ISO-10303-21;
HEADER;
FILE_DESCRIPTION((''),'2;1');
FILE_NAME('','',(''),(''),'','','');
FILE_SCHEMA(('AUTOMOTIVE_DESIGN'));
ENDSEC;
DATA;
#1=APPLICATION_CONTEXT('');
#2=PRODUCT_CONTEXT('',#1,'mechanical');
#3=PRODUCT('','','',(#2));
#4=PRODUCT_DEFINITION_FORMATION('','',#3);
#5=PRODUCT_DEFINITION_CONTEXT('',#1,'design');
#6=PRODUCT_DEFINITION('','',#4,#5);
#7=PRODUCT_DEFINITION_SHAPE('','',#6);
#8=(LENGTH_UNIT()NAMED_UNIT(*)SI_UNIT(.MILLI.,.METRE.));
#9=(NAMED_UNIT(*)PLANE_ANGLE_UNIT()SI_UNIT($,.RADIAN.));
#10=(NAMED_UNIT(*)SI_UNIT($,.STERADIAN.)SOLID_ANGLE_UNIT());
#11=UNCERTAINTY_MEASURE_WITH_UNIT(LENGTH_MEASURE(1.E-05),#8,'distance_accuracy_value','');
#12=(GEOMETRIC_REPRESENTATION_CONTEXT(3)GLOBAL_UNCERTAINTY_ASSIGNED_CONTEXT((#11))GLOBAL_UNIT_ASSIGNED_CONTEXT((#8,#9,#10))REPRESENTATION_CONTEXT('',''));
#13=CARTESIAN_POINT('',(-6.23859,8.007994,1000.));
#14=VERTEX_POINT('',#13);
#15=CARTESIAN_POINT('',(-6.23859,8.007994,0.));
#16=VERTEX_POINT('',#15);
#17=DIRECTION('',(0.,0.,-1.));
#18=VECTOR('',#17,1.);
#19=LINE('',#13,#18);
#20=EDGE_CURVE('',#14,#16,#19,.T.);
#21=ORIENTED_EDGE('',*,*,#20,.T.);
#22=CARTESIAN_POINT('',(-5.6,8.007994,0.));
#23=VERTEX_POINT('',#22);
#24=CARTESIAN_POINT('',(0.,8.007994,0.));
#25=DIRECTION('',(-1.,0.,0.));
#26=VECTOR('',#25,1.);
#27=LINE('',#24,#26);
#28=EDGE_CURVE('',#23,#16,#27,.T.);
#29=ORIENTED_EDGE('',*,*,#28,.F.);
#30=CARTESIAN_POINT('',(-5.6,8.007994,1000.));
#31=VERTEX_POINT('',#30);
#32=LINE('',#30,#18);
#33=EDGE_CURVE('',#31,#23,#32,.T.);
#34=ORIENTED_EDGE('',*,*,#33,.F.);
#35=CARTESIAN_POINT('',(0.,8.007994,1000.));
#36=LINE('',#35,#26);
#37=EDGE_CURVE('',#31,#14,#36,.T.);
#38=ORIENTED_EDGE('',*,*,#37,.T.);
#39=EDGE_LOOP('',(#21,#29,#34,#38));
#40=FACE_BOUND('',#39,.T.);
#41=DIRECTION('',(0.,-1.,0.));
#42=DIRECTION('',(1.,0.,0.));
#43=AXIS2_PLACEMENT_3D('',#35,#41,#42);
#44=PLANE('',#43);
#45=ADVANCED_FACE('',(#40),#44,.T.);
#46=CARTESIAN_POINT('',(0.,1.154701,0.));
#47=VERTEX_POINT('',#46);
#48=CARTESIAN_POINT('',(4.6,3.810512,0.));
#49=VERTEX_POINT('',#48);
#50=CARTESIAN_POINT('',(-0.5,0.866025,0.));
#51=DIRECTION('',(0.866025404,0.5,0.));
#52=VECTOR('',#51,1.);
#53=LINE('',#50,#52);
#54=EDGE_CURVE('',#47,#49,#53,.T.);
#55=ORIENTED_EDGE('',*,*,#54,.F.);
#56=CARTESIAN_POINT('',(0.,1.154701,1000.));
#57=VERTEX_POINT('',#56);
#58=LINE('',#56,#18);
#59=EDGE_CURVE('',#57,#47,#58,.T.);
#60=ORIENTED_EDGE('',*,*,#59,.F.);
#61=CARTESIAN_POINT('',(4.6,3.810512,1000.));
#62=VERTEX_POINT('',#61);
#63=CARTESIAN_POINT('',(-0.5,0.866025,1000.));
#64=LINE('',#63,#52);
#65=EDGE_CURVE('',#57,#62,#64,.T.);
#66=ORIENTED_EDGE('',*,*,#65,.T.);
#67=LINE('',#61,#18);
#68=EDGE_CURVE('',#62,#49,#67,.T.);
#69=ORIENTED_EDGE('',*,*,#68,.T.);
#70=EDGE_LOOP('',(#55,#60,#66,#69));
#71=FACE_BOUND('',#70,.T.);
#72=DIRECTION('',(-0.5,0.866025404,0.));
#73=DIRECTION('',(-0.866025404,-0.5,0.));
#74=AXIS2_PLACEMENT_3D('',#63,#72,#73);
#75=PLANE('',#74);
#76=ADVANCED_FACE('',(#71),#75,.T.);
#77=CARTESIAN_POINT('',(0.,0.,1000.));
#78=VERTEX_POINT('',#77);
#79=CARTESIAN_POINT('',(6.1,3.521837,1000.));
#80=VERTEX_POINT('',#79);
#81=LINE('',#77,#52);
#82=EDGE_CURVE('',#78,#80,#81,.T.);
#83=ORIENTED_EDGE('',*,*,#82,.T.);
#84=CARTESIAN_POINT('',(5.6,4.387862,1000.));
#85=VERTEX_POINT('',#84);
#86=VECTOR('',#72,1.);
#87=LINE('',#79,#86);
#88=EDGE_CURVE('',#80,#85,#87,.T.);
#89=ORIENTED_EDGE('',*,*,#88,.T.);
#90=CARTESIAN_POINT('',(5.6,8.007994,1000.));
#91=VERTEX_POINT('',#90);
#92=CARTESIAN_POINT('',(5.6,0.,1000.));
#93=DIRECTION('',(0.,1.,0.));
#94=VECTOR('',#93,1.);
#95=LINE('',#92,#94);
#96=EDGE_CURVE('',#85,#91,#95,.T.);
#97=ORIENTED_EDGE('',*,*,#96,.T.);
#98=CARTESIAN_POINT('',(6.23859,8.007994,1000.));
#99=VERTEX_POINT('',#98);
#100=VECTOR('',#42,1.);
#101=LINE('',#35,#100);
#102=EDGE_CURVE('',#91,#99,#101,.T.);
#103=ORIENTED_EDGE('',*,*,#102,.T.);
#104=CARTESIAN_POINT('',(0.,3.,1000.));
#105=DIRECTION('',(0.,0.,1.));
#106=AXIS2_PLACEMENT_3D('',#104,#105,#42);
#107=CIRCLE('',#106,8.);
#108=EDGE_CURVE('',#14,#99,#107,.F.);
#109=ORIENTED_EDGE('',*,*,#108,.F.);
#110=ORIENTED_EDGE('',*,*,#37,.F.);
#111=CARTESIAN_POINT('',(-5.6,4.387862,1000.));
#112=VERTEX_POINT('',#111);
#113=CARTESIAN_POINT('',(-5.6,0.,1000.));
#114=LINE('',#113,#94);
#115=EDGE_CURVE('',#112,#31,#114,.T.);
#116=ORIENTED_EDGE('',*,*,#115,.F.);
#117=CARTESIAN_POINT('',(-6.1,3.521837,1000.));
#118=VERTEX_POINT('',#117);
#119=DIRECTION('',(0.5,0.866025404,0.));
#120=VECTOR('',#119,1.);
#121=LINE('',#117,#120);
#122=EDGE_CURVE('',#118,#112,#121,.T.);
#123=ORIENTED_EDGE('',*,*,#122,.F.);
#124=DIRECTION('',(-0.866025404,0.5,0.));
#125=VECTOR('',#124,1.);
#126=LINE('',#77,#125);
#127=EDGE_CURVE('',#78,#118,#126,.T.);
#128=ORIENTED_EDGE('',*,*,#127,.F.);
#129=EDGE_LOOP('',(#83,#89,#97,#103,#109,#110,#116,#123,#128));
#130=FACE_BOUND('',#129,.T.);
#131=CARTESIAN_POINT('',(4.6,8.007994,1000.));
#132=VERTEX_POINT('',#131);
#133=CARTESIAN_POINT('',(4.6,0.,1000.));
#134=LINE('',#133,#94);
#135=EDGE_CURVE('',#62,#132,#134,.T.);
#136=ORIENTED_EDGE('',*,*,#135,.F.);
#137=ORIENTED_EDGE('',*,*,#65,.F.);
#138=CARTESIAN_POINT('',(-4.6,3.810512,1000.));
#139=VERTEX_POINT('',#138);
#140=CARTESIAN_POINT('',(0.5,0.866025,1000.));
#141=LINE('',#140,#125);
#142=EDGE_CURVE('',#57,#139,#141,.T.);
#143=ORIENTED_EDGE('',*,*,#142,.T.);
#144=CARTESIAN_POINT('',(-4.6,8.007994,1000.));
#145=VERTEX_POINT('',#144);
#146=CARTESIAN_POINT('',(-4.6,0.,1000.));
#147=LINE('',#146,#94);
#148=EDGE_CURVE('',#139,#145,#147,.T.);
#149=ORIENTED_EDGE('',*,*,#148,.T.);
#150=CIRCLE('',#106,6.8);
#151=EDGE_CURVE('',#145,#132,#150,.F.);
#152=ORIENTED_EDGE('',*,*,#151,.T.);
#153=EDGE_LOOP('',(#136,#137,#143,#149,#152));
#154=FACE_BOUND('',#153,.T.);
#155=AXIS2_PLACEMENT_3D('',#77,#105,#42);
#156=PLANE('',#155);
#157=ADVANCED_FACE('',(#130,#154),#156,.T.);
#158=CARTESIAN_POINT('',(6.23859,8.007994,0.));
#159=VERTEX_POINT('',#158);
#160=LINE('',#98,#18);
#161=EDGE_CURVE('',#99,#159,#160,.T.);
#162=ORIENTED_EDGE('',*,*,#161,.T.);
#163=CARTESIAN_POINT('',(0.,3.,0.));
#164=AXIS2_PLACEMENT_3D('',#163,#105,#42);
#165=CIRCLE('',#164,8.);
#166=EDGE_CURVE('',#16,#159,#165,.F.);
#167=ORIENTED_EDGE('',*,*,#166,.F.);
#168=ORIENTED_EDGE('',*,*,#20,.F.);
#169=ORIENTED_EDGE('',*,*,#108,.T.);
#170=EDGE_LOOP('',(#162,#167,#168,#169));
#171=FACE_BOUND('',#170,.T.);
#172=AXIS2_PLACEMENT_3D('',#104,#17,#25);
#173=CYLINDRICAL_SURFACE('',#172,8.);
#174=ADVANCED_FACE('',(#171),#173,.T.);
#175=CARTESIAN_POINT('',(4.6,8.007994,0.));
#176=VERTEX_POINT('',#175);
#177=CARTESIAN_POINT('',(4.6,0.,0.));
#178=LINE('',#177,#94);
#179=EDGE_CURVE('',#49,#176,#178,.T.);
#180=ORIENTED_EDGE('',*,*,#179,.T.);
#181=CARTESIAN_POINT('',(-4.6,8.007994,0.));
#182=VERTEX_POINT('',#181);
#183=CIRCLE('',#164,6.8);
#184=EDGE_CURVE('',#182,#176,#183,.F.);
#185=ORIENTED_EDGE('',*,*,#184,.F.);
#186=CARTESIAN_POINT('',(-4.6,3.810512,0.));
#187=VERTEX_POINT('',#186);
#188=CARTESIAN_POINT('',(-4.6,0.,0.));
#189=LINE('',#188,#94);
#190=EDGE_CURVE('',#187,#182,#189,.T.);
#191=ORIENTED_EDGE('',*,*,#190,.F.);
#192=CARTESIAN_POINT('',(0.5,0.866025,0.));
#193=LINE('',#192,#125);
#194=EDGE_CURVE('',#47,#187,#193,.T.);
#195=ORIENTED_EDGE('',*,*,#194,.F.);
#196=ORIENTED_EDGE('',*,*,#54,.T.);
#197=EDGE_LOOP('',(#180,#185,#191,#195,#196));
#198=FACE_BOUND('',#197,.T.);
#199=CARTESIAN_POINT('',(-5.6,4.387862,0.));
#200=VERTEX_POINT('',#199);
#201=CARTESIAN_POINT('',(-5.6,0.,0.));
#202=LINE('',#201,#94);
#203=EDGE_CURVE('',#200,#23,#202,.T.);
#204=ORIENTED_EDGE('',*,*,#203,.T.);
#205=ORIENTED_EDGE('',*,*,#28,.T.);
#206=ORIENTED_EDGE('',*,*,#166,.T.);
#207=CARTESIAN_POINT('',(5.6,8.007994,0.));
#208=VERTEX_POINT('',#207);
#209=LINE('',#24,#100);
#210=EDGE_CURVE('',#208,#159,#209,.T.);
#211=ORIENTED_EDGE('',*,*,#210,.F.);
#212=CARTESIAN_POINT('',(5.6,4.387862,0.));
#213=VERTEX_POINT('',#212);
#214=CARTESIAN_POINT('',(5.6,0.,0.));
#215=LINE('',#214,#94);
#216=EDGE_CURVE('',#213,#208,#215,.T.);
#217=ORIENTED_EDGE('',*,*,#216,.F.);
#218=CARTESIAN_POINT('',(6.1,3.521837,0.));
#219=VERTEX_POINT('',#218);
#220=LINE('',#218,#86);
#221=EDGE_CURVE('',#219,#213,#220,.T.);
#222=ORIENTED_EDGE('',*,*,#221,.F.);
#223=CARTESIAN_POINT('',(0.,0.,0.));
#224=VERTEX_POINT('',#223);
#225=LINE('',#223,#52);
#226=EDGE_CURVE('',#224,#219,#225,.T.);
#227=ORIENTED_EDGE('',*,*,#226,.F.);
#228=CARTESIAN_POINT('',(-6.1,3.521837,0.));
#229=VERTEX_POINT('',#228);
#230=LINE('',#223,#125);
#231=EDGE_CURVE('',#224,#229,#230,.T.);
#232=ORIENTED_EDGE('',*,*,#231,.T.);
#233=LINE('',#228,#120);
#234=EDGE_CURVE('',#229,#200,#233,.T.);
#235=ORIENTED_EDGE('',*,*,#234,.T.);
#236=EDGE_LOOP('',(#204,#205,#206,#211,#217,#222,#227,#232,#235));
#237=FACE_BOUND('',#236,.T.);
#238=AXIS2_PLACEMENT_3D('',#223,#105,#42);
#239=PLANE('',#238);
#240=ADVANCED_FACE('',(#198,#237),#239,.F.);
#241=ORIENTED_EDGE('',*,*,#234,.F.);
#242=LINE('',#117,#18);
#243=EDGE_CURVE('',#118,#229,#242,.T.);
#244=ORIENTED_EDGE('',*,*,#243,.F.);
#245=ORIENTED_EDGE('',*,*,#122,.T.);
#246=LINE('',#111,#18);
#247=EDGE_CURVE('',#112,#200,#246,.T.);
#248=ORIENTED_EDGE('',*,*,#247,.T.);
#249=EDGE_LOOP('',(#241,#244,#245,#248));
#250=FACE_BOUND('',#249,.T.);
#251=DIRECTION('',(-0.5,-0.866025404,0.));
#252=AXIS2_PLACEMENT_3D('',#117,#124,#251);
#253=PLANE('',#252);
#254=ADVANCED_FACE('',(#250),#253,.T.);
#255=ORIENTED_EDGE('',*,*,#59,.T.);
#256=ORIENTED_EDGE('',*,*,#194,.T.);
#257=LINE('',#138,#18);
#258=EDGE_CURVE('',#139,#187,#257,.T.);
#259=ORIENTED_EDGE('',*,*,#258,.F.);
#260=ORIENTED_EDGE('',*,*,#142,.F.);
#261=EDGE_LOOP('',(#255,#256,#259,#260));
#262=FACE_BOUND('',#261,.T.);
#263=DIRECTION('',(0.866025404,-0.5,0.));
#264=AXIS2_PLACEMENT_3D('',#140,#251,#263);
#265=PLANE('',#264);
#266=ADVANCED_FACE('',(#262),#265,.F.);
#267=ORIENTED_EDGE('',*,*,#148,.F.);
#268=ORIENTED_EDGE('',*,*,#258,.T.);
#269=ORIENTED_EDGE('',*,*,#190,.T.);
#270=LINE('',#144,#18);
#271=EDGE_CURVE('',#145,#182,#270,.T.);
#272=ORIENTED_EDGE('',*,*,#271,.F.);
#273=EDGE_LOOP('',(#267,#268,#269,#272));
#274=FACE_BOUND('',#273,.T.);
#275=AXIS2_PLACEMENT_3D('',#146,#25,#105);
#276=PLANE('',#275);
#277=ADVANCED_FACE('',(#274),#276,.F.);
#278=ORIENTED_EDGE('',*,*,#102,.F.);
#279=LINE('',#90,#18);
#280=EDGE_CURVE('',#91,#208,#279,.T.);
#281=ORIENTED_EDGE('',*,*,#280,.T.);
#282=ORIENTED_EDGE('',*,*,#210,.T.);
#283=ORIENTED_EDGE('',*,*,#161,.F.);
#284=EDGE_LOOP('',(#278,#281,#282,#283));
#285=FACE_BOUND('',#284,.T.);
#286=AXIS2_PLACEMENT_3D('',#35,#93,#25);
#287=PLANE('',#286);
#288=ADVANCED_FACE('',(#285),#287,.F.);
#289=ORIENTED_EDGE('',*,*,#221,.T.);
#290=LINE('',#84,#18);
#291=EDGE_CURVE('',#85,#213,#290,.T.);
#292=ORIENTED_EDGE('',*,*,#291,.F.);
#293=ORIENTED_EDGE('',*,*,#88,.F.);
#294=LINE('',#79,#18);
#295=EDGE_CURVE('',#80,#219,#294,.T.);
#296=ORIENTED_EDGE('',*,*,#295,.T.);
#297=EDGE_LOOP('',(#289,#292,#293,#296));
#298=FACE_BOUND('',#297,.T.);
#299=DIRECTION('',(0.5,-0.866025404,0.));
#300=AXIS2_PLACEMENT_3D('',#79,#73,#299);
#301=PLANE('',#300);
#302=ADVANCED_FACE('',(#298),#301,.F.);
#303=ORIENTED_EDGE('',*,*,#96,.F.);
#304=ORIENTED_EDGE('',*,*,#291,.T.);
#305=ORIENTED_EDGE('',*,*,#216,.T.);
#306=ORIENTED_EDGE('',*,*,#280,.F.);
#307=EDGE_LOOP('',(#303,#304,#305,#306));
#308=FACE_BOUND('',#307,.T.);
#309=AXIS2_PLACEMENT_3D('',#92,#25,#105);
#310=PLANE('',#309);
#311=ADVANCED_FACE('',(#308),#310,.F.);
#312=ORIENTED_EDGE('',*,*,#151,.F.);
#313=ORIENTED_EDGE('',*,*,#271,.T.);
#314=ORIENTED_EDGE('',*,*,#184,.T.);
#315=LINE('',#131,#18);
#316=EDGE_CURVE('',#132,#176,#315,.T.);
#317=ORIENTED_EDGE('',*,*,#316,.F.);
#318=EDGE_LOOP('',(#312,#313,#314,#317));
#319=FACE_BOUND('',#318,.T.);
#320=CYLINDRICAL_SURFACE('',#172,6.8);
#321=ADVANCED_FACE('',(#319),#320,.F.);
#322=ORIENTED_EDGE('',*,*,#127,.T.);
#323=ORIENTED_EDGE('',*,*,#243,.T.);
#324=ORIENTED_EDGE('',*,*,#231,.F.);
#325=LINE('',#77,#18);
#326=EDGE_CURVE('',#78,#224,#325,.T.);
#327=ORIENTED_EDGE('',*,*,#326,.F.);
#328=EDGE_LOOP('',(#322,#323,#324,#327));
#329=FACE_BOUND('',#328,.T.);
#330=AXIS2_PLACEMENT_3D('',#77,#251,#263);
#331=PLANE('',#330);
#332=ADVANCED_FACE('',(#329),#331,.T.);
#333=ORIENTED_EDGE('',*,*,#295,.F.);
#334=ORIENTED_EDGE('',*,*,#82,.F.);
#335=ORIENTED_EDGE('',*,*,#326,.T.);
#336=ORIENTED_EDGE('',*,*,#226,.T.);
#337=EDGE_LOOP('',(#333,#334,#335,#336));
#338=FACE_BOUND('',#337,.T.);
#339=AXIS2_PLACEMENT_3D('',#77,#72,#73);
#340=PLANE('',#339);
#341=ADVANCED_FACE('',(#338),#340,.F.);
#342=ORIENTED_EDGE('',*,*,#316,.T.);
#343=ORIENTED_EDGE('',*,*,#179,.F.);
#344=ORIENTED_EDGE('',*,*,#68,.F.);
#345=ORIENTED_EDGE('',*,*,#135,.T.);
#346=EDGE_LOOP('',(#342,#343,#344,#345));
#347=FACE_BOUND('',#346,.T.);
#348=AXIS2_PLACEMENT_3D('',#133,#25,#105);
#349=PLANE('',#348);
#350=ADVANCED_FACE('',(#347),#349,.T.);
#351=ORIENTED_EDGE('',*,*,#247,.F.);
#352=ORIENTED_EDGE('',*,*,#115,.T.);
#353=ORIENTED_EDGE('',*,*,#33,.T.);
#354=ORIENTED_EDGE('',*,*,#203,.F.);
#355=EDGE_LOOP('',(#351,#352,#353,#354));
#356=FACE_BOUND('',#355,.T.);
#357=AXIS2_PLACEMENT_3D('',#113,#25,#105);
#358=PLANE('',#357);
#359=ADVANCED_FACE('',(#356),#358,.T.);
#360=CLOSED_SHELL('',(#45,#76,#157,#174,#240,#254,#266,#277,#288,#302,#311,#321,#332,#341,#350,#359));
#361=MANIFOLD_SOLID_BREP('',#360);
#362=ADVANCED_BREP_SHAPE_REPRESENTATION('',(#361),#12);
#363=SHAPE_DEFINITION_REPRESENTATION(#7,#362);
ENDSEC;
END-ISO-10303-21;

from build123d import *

# Parameters (mm, degrees)
EXTRUDE_1_DEPTH = 1000


with BuildPart() as part:
    # Эскиз1 → Бобышка-Вытянуть1 (new body)
    with BuildSketch(Plane.XY):
        with BuildLine():
            Line((0, 0), (-6.1, 3.521836642))
            Line((-6.1, 3.521836642), (-5.6, 4.387862046))
            Line((-5.6, 4.387862046), (-5.6, 8.00799361))
            Line((-5.6, 8.00799361), (-6.238589584, 8.00799361))
            ThreePointArc((-6.238589584, 8.00799361), (0, 11), (6.238589584, 8.00799361))
            Line((6.238589584, 8.00799361), (5.6, 8.00799361))
            Line((5.6, 8.00799361), (5.6, 4.387862046))
            Line((5.6, 4.387862046), (6.1, 3.521836642))
            Line((6.1, 3.521836642), (0, 0))
        make_face()
        with BuildLine():
            Line((0, 1.154700538), (-4.6, 3.810511777))
            Line((-4.6, 3.810511777), (-4.6, 8.00799361))
            ThreePointArc((-4.6, 8.00799361), (0, 9.8), (4.6, 8.00799361))
            Line((4.6, 8.00799361), (4.6, 3.810511777))
            Line((4.6, 3.810511777), (0, 1.154700538))
        make_face(mode=Mode.SUBTRACT)
    extrude(amount=EXTRUDE_1_DEPTH)


solid = part.part
